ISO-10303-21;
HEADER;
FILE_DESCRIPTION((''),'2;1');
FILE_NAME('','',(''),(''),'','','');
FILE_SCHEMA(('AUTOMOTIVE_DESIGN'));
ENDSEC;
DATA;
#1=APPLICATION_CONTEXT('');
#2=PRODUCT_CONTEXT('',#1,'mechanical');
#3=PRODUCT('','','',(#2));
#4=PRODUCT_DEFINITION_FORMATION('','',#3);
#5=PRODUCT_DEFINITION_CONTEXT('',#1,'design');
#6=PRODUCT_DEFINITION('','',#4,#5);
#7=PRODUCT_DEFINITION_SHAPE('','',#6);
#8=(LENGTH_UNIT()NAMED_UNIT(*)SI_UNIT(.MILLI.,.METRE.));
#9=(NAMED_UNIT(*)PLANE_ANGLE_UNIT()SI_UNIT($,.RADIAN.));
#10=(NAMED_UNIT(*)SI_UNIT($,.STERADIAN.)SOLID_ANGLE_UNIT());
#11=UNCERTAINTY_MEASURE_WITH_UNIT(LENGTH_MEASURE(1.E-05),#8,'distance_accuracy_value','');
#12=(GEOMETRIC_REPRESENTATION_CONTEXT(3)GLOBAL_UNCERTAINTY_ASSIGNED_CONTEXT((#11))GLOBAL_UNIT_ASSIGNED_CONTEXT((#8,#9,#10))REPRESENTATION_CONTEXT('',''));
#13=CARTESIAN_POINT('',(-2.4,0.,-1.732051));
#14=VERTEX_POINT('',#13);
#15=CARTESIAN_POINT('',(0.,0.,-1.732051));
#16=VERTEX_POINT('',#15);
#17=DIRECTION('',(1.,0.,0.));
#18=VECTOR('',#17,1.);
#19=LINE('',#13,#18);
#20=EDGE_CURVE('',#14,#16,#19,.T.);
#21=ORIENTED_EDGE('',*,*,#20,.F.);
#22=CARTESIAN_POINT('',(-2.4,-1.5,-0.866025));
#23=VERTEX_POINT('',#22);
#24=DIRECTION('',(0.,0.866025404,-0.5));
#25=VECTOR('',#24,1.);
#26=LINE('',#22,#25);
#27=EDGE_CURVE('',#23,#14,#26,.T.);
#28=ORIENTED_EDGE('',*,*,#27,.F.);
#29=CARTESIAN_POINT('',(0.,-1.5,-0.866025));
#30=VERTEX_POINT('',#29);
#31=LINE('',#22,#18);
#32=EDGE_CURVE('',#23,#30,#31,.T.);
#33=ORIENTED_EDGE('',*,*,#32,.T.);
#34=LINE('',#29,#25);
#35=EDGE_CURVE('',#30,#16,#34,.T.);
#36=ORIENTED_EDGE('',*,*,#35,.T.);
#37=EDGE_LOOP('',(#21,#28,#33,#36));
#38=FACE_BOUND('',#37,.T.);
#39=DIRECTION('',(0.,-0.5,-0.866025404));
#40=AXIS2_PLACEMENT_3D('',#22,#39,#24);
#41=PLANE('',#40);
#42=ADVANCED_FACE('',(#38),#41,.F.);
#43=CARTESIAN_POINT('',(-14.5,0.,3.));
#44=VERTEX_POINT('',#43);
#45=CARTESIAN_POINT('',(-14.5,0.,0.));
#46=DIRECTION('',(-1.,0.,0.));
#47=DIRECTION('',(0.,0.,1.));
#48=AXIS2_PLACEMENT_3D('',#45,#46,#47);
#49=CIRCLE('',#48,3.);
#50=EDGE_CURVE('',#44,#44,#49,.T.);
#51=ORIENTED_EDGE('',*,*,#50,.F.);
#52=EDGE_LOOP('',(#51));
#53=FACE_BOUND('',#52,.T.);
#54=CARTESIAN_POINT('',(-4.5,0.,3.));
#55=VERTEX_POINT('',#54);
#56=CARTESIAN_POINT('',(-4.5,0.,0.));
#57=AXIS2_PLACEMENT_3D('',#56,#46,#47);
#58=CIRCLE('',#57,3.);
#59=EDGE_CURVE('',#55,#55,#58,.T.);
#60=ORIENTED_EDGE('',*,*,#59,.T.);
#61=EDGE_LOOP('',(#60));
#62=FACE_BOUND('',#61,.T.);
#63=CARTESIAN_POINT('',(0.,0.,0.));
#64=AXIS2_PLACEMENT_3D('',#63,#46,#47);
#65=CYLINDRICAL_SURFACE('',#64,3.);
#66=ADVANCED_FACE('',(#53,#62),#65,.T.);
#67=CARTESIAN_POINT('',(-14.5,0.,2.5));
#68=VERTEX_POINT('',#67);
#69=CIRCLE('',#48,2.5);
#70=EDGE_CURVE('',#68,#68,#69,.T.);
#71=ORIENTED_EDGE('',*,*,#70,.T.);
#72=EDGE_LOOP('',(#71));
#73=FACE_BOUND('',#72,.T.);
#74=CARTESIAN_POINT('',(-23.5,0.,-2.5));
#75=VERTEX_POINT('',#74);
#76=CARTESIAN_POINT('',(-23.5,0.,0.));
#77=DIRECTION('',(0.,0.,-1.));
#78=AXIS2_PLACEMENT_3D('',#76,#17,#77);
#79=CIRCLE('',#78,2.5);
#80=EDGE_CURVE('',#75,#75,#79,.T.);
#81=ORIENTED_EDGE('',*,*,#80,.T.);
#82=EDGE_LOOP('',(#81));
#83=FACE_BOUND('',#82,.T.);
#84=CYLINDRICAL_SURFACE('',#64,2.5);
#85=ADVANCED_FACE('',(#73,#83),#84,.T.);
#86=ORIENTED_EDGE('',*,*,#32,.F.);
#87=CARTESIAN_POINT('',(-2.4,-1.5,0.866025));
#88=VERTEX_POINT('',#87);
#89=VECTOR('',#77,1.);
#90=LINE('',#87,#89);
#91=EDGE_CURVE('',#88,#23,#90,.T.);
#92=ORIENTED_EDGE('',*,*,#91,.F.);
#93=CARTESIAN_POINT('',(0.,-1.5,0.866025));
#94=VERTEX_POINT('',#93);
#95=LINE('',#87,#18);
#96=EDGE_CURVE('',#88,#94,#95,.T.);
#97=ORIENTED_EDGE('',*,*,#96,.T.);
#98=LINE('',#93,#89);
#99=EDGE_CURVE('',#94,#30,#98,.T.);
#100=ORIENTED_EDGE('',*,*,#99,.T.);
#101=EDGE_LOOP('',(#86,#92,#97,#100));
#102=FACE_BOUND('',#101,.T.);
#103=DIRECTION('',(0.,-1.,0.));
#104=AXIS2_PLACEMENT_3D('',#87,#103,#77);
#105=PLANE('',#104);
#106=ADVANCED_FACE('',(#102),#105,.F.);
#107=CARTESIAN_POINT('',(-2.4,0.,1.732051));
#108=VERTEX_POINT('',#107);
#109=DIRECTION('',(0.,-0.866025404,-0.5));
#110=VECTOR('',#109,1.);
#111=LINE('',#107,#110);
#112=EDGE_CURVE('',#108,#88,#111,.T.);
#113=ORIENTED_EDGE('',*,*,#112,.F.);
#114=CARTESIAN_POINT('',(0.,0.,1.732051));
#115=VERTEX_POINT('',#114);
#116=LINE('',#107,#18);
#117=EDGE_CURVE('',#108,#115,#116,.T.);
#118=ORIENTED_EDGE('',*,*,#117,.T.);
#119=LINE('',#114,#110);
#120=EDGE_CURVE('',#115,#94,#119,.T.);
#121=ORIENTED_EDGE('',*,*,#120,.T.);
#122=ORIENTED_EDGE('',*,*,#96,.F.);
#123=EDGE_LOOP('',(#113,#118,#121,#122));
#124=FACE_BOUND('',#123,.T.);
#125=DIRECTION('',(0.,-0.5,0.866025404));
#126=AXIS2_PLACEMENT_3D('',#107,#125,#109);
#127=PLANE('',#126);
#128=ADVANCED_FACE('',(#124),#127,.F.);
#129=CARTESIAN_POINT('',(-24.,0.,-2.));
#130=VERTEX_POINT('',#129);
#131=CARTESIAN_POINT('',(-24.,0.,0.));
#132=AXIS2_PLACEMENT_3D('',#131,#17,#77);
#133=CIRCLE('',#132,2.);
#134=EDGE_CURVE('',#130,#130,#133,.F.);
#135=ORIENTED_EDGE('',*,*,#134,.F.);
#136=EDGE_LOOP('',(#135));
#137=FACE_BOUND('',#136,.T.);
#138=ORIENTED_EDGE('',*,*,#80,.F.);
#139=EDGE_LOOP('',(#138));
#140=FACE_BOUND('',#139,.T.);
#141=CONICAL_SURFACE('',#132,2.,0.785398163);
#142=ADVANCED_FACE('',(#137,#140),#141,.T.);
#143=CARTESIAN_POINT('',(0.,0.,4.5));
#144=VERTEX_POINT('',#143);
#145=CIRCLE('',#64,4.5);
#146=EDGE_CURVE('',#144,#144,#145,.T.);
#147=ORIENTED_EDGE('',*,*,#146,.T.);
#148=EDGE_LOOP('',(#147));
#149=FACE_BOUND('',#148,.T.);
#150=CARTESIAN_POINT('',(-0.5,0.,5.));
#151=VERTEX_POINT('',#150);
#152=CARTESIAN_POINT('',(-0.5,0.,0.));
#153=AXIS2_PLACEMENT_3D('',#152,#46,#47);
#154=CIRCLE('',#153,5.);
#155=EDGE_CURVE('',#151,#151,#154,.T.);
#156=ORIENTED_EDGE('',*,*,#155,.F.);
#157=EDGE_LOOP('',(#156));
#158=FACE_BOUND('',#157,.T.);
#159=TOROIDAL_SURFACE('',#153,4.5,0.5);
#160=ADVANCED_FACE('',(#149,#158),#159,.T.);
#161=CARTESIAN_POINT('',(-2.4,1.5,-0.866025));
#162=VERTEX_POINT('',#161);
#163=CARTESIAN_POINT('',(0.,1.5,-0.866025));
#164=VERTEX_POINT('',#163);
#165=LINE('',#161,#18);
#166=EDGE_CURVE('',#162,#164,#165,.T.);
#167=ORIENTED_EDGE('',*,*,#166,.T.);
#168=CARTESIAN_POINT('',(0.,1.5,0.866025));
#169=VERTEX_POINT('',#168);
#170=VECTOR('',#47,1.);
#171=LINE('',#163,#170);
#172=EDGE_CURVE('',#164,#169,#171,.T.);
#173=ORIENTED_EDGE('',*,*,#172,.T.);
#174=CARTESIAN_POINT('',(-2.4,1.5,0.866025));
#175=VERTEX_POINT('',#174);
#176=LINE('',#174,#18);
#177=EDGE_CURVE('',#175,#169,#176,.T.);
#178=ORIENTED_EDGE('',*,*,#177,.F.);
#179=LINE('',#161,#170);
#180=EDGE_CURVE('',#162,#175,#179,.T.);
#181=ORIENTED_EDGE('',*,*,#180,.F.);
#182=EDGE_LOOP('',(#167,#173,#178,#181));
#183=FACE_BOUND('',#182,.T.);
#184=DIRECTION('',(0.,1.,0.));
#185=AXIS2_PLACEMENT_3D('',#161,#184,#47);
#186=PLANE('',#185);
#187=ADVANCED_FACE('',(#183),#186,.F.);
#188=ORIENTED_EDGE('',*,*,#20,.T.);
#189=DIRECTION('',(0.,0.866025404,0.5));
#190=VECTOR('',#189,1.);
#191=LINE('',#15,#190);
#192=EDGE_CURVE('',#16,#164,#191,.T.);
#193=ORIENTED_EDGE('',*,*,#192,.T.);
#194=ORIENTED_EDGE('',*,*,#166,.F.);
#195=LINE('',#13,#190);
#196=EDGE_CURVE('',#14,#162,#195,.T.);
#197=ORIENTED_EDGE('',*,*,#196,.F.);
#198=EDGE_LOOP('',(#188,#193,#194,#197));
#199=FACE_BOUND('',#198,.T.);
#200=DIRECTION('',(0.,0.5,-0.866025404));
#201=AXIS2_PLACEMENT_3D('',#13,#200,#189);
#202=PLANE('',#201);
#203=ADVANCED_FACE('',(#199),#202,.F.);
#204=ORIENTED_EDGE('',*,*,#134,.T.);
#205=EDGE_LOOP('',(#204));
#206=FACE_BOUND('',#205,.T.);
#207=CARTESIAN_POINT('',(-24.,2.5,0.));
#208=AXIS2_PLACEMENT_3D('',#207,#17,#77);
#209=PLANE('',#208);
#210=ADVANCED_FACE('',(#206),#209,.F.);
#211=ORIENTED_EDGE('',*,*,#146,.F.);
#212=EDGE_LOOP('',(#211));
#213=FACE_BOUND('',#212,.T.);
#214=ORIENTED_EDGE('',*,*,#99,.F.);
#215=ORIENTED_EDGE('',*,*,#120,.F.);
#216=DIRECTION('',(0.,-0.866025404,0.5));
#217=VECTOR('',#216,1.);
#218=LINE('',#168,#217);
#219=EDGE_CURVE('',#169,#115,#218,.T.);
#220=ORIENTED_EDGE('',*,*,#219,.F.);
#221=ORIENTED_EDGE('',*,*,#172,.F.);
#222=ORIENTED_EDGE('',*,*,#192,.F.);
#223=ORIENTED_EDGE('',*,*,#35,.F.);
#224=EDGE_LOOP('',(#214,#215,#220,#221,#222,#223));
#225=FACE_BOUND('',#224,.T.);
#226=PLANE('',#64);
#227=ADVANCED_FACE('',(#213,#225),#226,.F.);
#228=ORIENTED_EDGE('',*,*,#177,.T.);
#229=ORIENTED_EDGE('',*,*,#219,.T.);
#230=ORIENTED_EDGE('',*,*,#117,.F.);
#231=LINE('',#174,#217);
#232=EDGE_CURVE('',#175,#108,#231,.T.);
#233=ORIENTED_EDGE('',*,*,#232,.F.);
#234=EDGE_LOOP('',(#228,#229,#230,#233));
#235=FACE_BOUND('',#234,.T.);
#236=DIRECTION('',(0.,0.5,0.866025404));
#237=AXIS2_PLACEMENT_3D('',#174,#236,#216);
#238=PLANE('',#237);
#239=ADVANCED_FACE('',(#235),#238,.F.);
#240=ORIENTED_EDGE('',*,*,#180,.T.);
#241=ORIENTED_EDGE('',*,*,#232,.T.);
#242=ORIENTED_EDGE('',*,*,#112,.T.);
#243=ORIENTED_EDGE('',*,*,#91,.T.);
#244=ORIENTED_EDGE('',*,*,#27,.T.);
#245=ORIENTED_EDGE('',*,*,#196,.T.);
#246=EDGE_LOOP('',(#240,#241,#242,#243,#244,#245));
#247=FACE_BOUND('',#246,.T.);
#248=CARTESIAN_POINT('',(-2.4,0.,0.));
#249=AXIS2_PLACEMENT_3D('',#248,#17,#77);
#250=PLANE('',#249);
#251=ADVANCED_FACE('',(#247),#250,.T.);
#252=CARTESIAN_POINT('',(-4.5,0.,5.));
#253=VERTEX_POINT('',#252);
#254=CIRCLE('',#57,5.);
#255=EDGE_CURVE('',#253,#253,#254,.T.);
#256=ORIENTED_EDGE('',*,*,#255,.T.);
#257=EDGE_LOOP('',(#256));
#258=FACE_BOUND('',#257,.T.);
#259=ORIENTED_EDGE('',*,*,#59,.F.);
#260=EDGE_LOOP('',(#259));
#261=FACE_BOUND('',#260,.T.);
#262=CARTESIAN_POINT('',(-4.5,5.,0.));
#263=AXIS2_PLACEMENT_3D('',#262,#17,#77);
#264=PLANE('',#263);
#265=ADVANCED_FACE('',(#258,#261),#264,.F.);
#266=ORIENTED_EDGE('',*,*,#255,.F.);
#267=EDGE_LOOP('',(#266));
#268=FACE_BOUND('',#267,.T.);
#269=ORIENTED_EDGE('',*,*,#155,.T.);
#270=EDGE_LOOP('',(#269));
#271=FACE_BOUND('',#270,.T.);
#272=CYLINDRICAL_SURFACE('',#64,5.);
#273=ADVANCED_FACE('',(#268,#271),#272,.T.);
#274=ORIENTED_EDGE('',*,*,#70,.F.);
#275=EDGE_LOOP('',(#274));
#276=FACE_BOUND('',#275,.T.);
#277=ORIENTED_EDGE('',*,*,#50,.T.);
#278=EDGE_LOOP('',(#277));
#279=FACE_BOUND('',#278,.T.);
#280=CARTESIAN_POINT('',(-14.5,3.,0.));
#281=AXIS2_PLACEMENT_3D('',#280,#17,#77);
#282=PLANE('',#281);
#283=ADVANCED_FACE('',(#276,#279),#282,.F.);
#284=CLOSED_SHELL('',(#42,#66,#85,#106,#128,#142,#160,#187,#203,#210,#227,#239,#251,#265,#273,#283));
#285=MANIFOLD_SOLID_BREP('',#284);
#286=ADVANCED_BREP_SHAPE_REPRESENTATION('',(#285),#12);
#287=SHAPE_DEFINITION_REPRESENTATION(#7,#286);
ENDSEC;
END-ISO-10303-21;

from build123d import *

# Parameters (mm, degrees)
CHAMFER1_SIZE      = 0.5
CUT_EXTRUDE1_DEPTH = 2.4


with BuildPart() as part:
    # Sketch1 → Revolve1 (revolve)
    with BuildSketch(Plane.XY):
        with BuildLine():
            Line((0, 0), (0, 4.5))
            ThreePointArc((0, 4.5), (-0.146446609, 4.853553391), (-0.5, 5))
            Line((-0.5, 5), (-4.5, 5))
            Line((-4.5, 5), (-4.5, 3))
            Line((-4.5, 3), (-14.5, 3))
            Line((-14.5, 3), (-14.5, 2.5))
            Line((-14.5, 2.5), (-24, 2.5))
            Line((-24, 2.5), (-24, 0))
            Line((-24, 0), (0, 0))
        make_face()
    revolve(axis=Axis((0, 0, 0), (1, 0, 0)))

    # Chamfer1
    chamfer1_edges = [part.edges().sort_by_distance(p)[0] for p in [
        (-24, -2.5, 0),
    ]]
    chamfer(chamfer1_edges, length=CHAMFER1_SIZE)

    # Sketch2 → Cut-Extrude1 (cut)
    with BuildSketch(Plane(origin=(0, 0, 0), x_dir=(0, 0, -1), z_dir=(1, 0, 0))):
        Polygon((1.732050808, 0), (0.866025404, 1.5), (-0.866025404, 1.5), (-1.732050808, 0), (-0.866025404, -1.5), (0.866025404, -1.5), align=None)
    extrude(amount=-CUT_EXTRUDE1_DEPTH, mode=Mode.SUBTRACT)


solid = part.part
